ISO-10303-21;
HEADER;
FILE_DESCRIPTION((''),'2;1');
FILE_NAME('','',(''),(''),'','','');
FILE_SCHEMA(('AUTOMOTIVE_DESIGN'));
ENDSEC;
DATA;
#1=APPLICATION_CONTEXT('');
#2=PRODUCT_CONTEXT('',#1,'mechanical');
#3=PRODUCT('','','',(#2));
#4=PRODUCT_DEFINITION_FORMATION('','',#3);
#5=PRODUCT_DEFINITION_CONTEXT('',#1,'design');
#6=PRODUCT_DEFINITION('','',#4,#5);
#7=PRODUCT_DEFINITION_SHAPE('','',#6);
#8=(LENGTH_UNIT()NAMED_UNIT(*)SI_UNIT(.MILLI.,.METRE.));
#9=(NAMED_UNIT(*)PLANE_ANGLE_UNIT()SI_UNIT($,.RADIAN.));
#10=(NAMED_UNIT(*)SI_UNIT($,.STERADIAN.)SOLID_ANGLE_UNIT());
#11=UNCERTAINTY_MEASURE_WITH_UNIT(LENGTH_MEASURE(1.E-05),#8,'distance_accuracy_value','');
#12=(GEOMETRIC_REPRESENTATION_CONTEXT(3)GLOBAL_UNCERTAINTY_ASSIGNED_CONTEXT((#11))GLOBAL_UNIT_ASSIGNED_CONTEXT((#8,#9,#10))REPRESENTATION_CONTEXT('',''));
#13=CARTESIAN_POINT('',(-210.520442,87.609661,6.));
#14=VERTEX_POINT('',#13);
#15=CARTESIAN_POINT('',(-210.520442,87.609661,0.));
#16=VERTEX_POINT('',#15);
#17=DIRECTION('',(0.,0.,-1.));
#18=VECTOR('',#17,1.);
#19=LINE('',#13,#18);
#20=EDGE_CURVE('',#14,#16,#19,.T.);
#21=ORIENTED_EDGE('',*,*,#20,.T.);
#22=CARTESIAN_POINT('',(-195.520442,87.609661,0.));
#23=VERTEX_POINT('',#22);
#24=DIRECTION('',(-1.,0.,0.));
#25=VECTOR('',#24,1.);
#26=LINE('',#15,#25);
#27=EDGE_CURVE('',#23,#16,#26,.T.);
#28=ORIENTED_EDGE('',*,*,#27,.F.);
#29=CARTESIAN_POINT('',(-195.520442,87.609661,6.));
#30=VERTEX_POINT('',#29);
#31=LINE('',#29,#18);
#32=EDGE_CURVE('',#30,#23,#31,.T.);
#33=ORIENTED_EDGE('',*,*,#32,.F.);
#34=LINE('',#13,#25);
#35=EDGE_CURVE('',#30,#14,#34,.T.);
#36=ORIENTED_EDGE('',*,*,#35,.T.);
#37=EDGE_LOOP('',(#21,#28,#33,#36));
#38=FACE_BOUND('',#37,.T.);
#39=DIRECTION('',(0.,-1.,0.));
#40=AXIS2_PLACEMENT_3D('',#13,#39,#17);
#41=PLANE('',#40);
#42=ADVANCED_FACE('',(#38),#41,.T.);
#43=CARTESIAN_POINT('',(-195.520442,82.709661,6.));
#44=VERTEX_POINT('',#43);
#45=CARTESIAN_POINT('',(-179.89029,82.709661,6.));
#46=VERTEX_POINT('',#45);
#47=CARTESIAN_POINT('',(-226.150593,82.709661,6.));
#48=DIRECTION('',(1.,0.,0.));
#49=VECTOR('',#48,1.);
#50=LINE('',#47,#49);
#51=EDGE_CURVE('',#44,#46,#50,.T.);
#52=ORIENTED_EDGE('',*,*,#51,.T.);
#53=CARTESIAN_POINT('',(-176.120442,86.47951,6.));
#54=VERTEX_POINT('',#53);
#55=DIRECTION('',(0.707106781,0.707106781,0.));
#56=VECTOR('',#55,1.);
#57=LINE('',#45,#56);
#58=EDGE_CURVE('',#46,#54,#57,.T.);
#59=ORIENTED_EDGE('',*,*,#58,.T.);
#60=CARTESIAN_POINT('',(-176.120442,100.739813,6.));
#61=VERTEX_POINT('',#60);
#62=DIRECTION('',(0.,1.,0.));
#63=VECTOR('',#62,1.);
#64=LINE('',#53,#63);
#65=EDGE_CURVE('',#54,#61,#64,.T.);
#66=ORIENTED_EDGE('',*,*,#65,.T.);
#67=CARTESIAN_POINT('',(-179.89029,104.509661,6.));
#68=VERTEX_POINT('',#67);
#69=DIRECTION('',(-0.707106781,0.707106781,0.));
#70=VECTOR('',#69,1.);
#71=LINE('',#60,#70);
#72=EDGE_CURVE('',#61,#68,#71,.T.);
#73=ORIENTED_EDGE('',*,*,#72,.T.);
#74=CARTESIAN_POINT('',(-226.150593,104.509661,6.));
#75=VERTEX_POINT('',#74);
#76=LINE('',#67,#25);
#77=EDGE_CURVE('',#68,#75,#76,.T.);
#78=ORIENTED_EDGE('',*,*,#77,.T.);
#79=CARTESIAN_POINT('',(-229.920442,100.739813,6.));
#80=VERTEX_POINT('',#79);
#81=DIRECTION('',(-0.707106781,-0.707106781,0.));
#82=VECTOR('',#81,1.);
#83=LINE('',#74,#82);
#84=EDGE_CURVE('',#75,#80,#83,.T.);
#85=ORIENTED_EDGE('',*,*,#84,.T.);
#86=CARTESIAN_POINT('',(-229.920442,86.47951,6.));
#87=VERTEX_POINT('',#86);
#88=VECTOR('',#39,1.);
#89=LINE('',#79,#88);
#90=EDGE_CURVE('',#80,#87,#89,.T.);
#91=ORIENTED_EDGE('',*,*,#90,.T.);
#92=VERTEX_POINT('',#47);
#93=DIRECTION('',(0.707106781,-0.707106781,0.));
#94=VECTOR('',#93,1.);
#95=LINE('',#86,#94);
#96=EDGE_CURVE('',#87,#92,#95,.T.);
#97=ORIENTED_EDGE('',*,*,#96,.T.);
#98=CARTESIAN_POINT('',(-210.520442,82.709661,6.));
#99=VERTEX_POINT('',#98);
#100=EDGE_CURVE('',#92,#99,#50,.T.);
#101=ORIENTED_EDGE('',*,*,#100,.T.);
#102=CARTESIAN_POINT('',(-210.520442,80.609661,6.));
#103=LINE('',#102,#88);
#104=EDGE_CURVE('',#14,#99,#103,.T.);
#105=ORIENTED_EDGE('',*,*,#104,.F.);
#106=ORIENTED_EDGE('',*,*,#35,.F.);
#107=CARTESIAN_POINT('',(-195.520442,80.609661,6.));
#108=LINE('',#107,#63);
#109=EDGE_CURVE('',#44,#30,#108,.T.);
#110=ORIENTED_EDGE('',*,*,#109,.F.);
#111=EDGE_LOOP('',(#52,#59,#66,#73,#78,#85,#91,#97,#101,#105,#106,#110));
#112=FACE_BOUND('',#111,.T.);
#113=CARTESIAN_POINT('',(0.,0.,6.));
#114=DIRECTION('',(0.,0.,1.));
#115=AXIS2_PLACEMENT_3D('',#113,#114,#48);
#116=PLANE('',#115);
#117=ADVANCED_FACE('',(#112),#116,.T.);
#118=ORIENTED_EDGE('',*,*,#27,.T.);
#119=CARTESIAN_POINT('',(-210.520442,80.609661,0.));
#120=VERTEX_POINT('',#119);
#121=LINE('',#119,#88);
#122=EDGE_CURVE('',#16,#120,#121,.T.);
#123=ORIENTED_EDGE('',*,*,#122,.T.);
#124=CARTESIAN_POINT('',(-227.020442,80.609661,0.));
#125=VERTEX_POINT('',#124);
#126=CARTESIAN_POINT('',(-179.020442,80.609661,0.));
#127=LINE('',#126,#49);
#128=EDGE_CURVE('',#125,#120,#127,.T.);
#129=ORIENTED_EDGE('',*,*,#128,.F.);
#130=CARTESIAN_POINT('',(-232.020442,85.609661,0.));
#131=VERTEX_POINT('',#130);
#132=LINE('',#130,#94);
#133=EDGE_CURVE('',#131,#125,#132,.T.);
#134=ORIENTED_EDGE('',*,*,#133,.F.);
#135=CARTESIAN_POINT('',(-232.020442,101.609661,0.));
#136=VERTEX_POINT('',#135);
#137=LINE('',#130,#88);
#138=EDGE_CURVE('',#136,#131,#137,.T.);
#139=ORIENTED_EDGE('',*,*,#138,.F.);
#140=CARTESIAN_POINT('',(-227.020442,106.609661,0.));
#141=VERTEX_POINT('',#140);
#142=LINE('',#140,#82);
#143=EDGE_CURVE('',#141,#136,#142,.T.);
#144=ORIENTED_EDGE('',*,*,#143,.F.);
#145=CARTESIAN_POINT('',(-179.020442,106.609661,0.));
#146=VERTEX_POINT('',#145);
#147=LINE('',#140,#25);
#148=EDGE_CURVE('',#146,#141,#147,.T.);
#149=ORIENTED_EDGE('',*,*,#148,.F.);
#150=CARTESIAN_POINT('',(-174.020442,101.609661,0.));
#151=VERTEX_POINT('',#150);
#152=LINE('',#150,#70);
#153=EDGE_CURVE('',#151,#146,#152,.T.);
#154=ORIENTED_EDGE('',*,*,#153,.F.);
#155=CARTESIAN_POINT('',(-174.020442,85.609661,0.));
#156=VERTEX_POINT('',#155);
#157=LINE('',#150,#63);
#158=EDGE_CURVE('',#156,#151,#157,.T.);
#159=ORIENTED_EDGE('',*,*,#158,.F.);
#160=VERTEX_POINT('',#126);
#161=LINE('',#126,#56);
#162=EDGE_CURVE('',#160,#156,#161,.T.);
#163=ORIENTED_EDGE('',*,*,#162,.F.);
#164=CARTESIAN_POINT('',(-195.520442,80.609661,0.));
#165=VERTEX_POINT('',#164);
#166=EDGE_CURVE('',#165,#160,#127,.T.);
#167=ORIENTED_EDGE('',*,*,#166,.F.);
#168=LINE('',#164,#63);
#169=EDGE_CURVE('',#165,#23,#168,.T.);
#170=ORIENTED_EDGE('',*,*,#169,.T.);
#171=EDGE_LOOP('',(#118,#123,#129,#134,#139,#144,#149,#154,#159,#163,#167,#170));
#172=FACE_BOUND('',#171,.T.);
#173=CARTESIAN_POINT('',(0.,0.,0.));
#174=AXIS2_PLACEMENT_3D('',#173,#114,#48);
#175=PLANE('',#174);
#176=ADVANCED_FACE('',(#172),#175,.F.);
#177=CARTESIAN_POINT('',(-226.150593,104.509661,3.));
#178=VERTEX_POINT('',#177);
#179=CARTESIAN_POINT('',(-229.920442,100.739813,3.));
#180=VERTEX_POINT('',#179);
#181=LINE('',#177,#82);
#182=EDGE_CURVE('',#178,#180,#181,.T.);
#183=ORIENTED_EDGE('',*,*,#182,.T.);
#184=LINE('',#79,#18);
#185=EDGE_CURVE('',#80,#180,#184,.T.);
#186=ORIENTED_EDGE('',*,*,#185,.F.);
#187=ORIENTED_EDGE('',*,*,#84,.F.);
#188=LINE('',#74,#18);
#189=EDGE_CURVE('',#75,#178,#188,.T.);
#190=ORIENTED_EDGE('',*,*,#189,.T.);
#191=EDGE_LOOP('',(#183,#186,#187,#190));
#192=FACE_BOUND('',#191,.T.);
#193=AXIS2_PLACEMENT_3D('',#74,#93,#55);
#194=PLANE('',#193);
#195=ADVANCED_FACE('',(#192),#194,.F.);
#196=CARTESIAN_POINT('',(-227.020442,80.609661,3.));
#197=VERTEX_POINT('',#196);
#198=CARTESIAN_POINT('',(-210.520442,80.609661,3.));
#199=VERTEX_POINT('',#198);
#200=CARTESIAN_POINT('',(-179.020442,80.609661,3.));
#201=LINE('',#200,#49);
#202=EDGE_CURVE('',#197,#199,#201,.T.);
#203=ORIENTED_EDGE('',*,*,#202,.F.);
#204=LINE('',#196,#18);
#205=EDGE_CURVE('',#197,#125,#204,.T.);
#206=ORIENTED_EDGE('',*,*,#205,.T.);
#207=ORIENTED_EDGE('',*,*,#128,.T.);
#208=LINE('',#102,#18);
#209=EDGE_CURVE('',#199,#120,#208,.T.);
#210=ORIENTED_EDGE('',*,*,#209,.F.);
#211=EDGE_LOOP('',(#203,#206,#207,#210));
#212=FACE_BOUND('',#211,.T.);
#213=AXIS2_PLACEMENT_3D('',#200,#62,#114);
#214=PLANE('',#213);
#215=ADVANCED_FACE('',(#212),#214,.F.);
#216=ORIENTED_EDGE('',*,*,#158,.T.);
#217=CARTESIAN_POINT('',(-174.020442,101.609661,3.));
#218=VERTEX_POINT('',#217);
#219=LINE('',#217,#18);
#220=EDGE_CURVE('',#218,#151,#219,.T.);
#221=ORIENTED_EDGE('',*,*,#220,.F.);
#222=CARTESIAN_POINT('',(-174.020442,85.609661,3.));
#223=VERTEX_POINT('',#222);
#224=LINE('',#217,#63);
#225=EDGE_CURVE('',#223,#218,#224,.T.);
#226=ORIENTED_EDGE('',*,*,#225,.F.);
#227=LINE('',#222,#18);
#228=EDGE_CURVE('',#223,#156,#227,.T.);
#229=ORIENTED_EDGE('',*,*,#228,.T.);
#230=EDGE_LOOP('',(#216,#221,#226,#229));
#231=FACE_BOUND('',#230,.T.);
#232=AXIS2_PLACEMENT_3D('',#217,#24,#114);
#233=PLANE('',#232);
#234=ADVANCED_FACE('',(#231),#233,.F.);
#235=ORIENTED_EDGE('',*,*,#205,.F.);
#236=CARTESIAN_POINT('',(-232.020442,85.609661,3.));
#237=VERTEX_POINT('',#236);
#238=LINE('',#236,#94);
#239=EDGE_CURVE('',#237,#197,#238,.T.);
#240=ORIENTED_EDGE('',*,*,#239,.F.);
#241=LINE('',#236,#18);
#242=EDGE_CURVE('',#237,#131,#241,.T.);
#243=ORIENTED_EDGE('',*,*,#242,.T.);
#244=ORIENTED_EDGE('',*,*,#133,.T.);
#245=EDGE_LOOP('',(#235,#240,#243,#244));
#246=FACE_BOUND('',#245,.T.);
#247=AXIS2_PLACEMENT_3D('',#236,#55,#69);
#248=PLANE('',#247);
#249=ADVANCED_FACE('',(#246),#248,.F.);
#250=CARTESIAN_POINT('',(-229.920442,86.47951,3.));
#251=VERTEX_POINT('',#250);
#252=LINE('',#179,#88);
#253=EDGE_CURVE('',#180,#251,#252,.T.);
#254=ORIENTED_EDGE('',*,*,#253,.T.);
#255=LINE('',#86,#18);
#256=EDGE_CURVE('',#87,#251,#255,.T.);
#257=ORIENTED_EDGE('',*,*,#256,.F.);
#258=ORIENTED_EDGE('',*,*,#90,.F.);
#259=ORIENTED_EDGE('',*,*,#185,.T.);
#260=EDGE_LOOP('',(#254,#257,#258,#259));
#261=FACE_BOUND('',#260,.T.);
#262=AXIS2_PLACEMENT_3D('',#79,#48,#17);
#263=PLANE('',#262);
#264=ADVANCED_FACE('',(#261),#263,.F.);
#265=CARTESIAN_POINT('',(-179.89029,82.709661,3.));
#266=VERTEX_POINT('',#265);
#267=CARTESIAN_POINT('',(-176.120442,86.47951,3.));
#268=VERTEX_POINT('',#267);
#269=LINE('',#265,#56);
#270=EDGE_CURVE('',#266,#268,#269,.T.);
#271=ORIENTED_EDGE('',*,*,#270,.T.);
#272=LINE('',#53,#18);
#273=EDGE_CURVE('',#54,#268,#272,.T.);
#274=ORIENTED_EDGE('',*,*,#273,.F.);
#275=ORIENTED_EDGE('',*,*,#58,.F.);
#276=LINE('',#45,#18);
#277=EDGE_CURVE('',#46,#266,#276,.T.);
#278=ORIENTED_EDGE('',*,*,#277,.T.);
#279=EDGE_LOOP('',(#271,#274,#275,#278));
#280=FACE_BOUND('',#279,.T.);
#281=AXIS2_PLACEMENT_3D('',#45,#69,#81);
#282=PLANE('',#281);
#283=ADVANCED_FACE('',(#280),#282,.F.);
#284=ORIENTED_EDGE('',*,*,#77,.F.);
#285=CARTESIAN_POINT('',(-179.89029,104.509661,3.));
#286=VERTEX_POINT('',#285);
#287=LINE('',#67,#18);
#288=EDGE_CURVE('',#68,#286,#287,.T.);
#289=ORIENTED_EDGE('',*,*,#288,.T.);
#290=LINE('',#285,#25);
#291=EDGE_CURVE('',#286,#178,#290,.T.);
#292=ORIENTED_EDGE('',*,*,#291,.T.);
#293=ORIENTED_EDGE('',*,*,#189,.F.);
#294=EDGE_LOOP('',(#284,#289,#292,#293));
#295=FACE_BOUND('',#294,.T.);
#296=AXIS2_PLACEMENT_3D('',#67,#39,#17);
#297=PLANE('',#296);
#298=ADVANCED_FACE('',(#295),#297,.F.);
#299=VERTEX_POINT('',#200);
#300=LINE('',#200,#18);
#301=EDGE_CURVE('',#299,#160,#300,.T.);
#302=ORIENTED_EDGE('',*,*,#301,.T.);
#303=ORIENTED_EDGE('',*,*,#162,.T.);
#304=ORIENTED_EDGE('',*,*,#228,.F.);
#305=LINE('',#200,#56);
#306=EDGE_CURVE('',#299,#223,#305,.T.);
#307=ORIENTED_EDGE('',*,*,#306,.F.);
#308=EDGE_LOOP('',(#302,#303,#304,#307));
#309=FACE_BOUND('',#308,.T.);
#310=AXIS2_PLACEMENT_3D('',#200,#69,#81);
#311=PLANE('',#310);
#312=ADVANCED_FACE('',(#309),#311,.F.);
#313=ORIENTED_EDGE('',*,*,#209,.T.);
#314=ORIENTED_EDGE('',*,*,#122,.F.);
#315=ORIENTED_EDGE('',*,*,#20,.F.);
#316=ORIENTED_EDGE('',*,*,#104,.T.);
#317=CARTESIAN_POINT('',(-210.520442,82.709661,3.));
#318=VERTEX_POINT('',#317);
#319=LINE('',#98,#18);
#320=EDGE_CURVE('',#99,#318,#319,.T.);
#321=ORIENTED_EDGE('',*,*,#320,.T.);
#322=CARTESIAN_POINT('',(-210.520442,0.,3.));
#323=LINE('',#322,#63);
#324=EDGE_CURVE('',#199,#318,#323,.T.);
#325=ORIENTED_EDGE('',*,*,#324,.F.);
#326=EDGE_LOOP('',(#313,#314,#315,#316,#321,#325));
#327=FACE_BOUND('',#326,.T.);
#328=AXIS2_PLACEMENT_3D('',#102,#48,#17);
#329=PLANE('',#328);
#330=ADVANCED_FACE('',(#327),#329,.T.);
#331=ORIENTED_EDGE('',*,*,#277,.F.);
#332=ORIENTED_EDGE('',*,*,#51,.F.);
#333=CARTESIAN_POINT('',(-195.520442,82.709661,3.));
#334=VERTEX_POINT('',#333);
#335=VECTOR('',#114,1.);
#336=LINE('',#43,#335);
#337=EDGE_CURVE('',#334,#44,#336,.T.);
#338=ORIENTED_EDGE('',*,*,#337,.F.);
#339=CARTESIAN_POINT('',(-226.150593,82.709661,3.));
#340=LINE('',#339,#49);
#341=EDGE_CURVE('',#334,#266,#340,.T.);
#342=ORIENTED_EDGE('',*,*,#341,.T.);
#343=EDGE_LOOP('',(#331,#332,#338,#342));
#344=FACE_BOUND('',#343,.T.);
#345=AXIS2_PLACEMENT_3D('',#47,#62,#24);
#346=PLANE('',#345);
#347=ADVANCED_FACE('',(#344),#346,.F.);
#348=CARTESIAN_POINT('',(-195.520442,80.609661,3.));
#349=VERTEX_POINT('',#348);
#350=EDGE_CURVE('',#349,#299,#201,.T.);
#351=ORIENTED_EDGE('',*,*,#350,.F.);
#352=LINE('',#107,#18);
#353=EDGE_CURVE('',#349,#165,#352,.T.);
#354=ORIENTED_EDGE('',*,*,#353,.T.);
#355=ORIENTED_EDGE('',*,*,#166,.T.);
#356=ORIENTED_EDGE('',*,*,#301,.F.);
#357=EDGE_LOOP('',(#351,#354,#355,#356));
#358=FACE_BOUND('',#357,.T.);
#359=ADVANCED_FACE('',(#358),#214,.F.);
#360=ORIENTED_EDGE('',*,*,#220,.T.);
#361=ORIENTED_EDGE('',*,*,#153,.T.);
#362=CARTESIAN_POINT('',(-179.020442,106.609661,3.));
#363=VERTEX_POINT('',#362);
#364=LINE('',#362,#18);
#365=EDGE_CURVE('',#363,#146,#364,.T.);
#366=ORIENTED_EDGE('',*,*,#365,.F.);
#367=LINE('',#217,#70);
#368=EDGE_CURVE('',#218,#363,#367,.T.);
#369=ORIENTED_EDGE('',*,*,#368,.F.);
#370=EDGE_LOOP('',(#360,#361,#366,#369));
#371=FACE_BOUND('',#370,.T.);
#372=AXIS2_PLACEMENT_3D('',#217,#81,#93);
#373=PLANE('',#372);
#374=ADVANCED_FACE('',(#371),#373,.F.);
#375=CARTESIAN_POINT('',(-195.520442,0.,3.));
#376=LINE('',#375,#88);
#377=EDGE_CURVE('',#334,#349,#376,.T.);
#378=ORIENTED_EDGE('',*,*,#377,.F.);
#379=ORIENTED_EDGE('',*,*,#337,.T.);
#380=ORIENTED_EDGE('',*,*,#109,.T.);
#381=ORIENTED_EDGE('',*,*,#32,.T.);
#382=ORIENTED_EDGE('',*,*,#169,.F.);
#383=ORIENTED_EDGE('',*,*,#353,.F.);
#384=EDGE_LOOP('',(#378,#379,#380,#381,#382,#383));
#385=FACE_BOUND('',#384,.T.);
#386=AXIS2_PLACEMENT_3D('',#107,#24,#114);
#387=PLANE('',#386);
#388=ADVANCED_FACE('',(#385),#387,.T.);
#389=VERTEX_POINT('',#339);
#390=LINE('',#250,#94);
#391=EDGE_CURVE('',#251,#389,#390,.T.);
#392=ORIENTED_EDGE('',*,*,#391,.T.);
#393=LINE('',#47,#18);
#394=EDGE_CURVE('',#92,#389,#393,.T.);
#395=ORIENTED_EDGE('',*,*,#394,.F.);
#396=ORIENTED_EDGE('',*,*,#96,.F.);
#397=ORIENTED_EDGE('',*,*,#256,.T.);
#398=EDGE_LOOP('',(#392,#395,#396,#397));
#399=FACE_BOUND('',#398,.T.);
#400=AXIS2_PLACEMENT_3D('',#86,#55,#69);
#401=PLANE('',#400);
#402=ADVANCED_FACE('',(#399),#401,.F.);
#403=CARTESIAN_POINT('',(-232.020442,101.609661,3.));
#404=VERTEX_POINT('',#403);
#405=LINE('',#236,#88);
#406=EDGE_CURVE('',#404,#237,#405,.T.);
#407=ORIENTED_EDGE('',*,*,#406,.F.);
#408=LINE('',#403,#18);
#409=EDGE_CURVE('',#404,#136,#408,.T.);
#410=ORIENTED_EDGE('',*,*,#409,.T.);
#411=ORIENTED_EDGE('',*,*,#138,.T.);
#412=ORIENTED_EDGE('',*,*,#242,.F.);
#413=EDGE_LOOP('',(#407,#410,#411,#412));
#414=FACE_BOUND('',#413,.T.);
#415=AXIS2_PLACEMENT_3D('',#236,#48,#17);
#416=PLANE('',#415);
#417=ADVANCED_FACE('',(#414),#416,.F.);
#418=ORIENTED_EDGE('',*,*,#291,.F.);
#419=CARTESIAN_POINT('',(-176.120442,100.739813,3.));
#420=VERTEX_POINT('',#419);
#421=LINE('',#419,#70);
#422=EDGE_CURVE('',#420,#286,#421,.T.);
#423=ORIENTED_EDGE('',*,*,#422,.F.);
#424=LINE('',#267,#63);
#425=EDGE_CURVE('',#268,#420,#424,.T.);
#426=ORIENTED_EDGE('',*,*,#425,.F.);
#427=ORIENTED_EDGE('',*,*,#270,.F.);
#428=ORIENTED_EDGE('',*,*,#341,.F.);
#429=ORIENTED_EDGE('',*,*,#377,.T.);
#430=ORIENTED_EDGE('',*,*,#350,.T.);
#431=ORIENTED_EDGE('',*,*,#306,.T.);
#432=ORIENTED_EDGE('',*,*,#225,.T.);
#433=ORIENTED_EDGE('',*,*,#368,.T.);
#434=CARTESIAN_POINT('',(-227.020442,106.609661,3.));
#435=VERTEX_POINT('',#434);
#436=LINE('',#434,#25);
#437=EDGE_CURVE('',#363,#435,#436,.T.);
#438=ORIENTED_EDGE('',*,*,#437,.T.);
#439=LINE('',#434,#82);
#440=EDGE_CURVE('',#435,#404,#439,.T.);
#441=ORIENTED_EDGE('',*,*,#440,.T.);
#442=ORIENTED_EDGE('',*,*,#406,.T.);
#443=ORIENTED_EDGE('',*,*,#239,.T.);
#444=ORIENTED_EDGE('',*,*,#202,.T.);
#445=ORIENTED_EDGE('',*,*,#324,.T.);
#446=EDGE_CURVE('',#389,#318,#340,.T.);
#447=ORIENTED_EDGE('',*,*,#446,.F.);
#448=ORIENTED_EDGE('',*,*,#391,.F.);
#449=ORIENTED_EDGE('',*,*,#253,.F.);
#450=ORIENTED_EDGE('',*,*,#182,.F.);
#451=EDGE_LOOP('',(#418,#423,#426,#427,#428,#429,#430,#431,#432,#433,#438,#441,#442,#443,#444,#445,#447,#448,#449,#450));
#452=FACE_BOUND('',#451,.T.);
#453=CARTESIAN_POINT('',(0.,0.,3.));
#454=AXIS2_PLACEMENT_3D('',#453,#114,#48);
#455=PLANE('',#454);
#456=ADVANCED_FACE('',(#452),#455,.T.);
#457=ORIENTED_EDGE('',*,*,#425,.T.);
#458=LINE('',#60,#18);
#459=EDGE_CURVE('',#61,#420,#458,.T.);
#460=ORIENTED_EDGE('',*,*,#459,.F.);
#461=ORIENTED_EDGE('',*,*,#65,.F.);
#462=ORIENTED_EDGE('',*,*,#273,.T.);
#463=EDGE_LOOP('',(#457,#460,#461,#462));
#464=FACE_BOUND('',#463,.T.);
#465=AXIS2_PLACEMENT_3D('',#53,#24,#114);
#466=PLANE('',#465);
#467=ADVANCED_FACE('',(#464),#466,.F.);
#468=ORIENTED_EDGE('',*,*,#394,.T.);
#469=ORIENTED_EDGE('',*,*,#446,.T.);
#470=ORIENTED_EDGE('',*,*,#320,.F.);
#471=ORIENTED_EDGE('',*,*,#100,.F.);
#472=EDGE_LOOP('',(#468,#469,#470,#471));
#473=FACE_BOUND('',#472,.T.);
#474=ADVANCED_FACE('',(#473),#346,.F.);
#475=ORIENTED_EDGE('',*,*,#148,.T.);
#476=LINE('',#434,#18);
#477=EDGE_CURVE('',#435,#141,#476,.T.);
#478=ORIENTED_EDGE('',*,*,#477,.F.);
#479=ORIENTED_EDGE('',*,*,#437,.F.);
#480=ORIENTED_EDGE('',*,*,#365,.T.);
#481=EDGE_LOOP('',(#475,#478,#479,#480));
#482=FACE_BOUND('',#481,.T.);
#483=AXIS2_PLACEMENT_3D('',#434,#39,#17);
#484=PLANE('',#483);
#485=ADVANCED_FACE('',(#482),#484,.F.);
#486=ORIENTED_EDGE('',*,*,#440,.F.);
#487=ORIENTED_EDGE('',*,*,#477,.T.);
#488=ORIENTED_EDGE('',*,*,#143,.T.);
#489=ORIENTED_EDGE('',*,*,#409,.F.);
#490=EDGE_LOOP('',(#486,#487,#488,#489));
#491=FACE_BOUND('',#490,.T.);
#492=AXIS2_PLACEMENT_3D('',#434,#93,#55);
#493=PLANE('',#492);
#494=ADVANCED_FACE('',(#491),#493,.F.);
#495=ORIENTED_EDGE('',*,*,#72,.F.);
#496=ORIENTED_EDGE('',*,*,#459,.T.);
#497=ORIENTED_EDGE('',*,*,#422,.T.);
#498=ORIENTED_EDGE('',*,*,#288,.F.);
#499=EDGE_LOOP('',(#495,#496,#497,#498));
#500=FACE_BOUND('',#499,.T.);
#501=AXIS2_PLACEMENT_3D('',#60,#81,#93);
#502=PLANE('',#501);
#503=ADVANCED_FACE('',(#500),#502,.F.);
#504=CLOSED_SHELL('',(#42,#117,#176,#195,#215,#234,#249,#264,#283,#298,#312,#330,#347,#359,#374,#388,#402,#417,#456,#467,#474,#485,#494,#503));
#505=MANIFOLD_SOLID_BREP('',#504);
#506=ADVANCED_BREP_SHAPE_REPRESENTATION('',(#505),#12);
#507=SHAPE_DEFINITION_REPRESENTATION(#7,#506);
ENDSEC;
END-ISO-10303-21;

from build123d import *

# Parameters (mm, degrees)
PANEL_DEPTH        = 3
INSERT_DEPTH       = 3
SKETCH3_W          = 15
SKETCH3_H          = 7
CUT_EXTRUDE1_DEPTH = 256.411638929


with BuildPart() as part:
    # Sketch1 → panel (new body)
    with BuildSketch(Plane.XY):
        Polygon((-232.020441826, 85.609661267), (-232.020441826, 101.609661267), (-227.020441826, 106.609661267), (-179.020441826, 106.609661267), (-174.020441826, 101.609661267), (-174.020441826, 85.609661267), (-179.020441826, 80.609661267), (-227.020441826, 80.609661267), align=None)
    extrude(amount=PANEL_DEPTH)

    # Sketch2 → insert (add)
    with BuildSketch(Plane(origin=(0, 0, 3), x_dir=(-1, 0, 0), z_dir=(0, 0, -1))):
        Polygon((176.120441826, 86.479509748), (176.120441826, 100.739812786), (179.890290307, 104.509661267), (226.150593345, 104.509661267), (229.920441826, 100.739812786), (229.920441826, 86.479509748), (226.150593345, 82.709661267), (179.890290307, 82.709661267), align=None)
    extrude(amount=-INSERT_DEPTH)

    # Sketch3 → Cut-Extrude1 (cut, through all)
    with BuildSketch(Plane.XY):
        with Locations((-203.020441826, 84.109661267)):
            Rectangle(SKETCH3_W, SKETCH3_H)
    extrude(amount=CUT_EXTRUDE1_DEPTH, mode=Mode.SUBTRACT)


solid = part.part
